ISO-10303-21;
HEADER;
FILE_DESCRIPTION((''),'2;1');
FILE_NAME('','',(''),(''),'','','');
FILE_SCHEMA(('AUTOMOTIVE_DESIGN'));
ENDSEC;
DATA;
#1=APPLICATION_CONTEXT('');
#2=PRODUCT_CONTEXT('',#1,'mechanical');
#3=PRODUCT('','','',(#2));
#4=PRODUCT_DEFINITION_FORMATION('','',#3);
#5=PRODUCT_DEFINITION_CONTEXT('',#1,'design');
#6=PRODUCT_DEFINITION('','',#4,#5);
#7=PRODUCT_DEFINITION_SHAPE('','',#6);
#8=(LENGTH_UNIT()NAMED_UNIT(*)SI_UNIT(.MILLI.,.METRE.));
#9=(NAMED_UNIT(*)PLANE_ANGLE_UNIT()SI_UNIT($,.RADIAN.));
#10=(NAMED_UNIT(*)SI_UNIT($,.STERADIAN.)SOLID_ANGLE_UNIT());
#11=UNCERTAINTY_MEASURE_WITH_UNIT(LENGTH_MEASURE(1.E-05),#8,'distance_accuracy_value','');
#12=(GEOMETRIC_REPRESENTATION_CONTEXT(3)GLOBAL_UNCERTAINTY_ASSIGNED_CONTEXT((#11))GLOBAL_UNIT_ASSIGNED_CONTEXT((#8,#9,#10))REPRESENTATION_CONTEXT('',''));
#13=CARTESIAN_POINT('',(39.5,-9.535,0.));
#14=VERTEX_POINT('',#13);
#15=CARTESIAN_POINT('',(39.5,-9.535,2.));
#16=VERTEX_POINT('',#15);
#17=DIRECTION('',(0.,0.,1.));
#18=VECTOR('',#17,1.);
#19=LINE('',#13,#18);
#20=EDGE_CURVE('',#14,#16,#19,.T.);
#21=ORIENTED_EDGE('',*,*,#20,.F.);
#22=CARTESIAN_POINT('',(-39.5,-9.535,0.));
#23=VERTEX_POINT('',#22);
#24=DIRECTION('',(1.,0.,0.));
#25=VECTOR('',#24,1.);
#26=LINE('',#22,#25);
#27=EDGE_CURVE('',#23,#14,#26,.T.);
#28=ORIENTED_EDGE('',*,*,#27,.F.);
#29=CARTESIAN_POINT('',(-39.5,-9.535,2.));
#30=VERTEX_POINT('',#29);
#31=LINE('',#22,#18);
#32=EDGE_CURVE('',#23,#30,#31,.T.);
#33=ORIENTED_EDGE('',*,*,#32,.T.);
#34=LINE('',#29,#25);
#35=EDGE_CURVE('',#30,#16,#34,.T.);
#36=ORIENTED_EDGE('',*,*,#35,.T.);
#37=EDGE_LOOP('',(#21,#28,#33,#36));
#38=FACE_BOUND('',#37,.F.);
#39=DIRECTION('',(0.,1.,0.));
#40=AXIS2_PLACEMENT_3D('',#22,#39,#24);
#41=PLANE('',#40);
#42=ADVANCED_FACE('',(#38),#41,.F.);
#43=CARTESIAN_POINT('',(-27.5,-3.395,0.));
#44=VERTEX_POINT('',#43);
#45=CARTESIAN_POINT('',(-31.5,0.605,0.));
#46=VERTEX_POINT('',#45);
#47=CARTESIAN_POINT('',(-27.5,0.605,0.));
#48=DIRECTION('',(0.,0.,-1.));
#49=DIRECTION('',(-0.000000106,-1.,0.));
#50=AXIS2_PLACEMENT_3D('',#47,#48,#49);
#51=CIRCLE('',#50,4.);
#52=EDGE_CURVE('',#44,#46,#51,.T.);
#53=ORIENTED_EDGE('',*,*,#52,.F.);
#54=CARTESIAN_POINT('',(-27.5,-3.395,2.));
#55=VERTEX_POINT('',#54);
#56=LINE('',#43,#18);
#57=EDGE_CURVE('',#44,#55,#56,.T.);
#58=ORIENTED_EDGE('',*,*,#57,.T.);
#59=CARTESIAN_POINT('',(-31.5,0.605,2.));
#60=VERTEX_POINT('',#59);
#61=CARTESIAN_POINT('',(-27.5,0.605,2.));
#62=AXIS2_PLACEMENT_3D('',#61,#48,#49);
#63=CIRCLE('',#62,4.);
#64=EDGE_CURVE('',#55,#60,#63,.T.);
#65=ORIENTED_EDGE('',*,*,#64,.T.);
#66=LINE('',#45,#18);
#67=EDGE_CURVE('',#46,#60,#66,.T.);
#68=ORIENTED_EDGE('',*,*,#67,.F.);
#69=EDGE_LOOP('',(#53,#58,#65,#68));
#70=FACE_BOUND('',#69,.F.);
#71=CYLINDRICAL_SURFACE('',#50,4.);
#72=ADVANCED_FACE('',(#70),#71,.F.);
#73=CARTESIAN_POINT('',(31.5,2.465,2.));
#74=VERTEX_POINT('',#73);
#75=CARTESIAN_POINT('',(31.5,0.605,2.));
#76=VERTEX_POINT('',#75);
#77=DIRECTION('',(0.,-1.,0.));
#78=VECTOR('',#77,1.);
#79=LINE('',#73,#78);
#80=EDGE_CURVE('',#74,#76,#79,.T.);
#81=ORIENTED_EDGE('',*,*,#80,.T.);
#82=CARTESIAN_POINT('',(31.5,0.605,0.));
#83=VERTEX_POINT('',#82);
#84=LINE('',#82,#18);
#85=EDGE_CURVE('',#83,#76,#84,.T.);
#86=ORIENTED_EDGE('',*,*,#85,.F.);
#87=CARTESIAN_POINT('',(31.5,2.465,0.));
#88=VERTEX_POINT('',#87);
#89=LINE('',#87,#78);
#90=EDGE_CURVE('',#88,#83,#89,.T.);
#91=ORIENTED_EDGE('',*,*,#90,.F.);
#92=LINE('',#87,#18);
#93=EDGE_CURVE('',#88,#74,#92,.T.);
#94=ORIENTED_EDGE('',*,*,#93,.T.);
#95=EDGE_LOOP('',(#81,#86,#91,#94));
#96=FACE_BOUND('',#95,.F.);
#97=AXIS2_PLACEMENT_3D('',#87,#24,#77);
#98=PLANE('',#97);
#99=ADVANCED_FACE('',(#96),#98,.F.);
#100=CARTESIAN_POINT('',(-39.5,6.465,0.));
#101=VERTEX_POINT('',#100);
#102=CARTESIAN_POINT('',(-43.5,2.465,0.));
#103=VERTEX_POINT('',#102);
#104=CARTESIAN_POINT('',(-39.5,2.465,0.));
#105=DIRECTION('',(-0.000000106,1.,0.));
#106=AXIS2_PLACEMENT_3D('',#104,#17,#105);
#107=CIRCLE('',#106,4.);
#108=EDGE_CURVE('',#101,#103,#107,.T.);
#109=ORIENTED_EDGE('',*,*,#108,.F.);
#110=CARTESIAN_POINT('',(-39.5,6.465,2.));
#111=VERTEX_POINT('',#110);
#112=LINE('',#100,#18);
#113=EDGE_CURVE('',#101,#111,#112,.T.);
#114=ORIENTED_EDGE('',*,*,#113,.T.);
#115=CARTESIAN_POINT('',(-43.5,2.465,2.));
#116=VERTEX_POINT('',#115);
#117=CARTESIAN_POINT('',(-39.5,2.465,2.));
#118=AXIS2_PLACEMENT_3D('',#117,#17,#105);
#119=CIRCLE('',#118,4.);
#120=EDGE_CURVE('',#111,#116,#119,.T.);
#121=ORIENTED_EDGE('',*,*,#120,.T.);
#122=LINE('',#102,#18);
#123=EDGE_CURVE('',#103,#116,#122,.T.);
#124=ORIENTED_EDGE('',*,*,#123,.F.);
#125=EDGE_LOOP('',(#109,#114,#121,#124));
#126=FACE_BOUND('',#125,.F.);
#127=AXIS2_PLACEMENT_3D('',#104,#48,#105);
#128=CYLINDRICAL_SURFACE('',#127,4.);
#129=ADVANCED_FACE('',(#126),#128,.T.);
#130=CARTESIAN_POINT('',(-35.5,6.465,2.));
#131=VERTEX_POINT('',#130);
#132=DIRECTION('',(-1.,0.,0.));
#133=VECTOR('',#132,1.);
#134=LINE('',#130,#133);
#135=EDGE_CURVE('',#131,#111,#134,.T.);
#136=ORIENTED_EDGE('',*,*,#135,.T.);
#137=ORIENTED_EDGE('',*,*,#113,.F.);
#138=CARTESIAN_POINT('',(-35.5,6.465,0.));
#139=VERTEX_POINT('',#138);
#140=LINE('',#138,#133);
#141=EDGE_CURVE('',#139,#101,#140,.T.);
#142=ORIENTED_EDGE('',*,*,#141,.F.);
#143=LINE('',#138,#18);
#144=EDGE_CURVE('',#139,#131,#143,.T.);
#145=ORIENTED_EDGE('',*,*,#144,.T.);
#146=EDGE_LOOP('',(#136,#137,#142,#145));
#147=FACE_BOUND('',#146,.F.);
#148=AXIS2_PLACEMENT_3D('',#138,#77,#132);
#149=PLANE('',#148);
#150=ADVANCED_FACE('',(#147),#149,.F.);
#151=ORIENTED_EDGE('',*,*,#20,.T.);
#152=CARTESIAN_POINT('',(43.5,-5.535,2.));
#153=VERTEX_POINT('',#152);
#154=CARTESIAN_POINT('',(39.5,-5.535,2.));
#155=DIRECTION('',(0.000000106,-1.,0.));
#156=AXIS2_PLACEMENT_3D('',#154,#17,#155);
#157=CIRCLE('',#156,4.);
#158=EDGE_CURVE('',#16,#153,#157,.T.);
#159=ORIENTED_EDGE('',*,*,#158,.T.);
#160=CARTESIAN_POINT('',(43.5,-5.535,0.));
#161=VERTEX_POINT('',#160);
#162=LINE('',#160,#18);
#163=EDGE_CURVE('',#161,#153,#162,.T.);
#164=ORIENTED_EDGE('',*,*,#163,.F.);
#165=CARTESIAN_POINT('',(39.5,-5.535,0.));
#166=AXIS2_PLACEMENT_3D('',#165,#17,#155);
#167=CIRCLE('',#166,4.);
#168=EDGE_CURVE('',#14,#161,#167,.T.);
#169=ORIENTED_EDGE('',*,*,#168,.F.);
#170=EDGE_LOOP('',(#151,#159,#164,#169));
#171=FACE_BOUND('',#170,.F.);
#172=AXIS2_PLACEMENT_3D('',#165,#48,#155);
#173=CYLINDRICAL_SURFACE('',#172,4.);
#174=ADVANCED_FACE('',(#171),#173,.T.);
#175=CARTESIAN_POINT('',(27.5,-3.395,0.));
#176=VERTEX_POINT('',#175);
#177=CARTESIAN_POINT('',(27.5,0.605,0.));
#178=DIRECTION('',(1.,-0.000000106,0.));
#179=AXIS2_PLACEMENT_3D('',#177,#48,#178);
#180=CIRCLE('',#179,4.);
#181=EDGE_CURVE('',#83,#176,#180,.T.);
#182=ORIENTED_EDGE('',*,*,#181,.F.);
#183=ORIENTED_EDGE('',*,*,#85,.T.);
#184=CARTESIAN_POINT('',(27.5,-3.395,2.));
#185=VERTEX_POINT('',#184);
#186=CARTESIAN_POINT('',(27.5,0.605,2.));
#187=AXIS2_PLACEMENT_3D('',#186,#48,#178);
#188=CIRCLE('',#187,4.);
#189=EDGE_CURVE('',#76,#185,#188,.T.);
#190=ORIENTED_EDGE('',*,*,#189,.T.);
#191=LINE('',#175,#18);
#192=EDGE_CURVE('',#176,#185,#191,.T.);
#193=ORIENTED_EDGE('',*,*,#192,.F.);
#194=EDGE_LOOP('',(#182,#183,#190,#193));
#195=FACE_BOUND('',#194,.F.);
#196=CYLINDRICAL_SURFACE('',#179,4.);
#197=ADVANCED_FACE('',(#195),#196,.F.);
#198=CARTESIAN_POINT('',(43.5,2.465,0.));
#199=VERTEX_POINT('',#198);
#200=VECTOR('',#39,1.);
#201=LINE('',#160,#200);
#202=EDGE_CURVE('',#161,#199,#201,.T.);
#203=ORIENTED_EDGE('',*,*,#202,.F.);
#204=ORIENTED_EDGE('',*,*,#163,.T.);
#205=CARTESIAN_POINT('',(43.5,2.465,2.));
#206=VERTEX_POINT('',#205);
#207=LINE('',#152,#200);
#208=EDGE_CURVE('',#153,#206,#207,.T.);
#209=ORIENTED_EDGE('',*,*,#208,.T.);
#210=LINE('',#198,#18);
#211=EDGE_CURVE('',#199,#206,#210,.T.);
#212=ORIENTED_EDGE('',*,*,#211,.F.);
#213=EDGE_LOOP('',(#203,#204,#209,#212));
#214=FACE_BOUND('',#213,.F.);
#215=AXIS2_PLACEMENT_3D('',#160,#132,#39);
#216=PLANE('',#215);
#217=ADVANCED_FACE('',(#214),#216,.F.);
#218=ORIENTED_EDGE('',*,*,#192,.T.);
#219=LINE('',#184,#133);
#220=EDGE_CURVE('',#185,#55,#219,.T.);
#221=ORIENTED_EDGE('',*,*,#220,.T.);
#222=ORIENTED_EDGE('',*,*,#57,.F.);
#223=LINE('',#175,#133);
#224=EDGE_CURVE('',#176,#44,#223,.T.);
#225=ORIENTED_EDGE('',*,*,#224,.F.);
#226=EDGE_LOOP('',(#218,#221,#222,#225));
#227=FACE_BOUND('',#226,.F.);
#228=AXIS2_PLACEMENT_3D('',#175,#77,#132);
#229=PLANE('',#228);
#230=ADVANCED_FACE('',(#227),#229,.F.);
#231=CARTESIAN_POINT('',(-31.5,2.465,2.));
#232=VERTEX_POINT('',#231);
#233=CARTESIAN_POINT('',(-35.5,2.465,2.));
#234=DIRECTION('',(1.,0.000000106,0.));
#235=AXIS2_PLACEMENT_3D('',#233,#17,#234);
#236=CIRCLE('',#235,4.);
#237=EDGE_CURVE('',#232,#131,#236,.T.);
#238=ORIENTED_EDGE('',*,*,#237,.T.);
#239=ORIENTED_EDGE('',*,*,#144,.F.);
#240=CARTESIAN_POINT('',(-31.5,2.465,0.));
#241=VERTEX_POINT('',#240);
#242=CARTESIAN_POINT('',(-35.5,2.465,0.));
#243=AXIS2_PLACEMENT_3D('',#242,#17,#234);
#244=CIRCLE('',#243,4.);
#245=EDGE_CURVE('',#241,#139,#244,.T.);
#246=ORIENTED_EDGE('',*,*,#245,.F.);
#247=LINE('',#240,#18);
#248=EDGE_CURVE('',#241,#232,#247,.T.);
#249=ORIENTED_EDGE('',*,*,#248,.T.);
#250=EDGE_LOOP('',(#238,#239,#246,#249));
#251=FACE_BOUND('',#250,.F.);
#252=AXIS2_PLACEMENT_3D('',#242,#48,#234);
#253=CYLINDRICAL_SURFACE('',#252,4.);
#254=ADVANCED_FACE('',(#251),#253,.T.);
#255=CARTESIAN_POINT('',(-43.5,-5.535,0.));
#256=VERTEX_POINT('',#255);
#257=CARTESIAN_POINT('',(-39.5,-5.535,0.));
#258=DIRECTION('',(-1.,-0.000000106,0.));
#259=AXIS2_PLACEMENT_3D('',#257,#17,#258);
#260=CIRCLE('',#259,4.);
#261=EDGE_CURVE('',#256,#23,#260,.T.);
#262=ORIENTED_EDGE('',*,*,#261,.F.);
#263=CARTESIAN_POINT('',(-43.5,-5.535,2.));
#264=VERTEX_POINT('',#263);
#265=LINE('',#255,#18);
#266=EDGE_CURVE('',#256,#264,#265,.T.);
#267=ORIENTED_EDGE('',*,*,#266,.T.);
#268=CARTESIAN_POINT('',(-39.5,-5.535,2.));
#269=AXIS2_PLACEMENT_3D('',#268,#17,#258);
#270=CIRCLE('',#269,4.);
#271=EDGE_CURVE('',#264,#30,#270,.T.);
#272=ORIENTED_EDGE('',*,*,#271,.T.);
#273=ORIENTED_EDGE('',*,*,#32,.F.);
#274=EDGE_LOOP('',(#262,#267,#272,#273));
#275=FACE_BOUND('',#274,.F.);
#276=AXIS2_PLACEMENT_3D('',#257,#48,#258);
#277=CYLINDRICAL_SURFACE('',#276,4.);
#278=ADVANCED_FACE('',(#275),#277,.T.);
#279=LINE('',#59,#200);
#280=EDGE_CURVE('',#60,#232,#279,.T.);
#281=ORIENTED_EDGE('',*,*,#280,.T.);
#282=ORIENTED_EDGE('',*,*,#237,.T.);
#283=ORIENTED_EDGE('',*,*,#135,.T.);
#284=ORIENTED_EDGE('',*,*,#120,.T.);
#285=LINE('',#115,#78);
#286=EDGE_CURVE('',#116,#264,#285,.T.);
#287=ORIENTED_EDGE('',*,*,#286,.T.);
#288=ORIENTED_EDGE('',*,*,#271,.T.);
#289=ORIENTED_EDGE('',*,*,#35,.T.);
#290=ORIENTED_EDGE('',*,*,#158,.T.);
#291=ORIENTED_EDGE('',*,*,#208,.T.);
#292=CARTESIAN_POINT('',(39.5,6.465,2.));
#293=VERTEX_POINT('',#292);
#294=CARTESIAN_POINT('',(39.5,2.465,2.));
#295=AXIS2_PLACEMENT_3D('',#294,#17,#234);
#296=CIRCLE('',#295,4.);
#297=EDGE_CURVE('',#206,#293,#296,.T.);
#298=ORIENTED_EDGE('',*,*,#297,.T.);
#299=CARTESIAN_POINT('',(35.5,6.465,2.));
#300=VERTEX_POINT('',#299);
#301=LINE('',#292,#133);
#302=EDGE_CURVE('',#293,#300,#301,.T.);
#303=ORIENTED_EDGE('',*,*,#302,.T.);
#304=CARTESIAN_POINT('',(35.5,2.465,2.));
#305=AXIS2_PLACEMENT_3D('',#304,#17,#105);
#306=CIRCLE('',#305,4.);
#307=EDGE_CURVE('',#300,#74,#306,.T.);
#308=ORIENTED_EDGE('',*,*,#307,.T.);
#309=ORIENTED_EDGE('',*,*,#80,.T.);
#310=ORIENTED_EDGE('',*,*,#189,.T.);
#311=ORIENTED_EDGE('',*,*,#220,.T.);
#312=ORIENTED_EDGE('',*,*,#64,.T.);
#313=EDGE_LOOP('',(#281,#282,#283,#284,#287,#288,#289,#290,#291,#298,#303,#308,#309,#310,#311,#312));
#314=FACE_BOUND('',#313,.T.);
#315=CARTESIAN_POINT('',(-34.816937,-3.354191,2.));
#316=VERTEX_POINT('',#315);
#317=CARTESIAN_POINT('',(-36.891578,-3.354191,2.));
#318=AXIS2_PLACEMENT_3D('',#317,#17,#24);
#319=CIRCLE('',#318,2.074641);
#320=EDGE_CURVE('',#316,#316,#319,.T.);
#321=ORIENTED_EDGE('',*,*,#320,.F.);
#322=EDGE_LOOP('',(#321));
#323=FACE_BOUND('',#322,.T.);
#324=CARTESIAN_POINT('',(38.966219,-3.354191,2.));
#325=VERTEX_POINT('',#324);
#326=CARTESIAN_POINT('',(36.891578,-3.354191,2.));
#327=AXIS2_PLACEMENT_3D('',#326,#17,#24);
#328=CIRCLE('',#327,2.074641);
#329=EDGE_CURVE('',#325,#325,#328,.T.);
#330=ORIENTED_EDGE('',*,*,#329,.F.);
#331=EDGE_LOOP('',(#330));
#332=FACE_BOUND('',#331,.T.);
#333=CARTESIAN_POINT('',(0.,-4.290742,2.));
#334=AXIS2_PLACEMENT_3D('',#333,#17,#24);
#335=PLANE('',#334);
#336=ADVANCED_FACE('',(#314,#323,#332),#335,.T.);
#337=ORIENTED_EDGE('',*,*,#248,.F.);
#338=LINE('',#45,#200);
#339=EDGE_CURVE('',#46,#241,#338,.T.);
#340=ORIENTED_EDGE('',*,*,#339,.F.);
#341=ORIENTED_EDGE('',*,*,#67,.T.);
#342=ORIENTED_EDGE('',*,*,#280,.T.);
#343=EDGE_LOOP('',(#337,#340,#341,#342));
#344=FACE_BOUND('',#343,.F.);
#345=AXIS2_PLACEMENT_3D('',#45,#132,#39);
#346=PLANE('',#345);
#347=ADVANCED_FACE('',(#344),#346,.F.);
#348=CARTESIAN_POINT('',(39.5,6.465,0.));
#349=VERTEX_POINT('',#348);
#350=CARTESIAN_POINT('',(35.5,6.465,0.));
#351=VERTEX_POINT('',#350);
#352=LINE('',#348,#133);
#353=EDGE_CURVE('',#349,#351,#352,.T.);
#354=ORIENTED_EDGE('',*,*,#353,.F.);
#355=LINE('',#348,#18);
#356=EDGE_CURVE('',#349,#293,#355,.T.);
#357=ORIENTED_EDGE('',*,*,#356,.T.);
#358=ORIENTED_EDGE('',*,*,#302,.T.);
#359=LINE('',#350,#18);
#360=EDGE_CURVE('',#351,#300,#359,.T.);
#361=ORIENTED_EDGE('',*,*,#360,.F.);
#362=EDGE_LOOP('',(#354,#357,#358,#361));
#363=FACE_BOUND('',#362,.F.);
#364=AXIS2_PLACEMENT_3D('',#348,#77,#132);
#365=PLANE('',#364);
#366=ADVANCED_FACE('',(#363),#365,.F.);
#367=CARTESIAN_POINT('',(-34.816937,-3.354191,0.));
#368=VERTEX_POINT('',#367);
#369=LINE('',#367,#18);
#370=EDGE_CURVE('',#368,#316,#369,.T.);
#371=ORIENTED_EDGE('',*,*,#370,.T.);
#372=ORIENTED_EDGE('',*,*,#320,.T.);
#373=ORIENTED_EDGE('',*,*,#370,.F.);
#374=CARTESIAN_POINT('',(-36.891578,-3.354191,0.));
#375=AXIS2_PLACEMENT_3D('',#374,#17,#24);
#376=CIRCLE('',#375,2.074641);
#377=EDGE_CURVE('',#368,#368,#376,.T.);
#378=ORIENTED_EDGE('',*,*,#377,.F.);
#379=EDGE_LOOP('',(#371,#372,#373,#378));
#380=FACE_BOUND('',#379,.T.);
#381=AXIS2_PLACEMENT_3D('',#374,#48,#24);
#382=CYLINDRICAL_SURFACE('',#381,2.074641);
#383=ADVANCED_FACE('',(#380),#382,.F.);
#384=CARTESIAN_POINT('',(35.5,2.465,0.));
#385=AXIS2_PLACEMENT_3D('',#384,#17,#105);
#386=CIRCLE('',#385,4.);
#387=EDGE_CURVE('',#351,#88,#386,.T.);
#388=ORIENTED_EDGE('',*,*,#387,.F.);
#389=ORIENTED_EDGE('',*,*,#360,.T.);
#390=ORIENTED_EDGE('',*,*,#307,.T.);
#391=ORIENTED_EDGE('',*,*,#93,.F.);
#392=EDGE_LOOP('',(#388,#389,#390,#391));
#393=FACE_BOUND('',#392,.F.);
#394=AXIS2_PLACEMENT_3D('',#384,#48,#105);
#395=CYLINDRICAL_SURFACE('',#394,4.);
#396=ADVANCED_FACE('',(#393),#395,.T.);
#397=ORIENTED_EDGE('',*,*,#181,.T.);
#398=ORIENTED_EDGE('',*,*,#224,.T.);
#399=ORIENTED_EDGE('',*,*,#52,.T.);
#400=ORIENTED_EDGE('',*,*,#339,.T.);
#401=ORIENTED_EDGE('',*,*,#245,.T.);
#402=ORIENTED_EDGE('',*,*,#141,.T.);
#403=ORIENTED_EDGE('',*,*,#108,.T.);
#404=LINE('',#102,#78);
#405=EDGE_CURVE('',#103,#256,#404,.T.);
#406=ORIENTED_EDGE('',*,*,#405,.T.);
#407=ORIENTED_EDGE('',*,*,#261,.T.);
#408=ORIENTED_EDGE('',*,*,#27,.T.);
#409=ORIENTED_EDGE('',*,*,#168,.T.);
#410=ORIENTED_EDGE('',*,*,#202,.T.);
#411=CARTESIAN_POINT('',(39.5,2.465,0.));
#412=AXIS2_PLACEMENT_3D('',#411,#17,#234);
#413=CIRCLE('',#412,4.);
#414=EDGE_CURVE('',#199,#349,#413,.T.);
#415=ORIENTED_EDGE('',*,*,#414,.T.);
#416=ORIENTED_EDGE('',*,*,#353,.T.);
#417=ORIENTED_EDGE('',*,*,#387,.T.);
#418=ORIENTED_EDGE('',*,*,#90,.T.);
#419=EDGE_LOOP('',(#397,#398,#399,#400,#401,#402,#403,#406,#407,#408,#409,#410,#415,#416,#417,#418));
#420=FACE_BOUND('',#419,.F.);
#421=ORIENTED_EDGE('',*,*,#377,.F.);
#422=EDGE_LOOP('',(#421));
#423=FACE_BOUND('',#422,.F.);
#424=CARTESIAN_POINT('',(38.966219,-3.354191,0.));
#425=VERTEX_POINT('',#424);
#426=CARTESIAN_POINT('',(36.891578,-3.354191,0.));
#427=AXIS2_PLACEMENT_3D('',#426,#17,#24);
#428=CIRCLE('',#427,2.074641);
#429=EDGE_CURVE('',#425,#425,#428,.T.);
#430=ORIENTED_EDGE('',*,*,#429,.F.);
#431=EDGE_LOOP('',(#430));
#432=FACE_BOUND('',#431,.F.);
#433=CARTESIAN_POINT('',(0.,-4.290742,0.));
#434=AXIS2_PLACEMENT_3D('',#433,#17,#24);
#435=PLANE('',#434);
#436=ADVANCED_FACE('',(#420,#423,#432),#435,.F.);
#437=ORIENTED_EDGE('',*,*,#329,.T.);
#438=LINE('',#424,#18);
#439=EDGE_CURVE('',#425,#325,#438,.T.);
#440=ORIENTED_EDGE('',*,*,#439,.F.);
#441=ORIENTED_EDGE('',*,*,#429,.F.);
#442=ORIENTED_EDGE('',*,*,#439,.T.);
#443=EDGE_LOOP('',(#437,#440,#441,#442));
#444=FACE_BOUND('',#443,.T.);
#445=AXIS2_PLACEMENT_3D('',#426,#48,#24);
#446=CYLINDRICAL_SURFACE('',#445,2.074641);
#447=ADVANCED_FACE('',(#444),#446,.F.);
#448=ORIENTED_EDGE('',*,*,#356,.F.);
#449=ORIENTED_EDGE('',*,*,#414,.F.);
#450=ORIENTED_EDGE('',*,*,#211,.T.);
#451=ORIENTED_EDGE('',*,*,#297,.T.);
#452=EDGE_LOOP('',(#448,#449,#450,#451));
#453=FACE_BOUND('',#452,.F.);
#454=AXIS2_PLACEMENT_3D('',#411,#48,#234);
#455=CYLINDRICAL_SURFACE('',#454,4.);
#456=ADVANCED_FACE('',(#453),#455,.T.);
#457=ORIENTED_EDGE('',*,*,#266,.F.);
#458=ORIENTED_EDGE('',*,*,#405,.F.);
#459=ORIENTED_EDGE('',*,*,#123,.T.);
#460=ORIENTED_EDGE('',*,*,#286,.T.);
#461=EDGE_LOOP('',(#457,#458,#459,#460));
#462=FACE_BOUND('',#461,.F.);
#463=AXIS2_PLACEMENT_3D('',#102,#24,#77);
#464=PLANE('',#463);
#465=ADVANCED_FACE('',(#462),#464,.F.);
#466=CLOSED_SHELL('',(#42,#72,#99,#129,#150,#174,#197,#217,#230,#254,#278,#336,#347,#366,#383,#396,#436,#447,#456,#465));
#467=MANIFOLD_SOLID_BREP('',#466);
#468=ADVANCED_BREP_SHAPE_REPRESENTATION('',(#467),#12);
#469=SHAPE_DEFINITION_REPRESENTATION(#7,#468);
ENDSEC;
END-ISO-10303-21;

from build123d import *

# Parameters (mm, degrees)
F0_R     = 2.074641
F1_DEPTH = 2


with BuildPart() as f1:
    # F0 (on Top) → F1 (new body)
    with BuildSketch(Plane.XY):
        with BuildLine():
            Line((-39.5, -9.535), (39.5, -9.535))
            ThreePointArc((39.5, -9.535), (42.328427, -8.363427), (43.5, -5.535))
            Line((43.5, -5.535), (43.5, 2.465))
            ThreePointArc((43.5, 2.465), (42.328427, 5.293427), (39.5, 6.465))
            Line((39.5, 6.465), (35.5, 6.465))
            ThreePointArc((35.5, 6.465), (32.671573, 5.293427), (31.5, 2.465))
            Line((31.5, 2.465), (31.5, 0.605))
            ThreePointArc((31.5, 0.605), (30.328427, -2.223427), (27.5, -3.395))
            Line((27.5, -3.395), (-27.5, -3.395))
            ThreePointArc((-27.5, -3.395), (-30.328427, -2.223427), (-31.5, 0.605))
            Line((-31.5, 0.605), (-31.5, 2.465))
            ThreePointArc((-31.5, 2.465), (-32.671573, 5.293427), (-35.5, 6.465))
            Line((-35.5, 6.465), (-39.5, 6.465))
            ThreePointArc((-39.5, 6.465), (-42.328427, 5.293427), (-43.5, 2.465))
            Line((-43.5, 2.465), (-43.5, -5.535))
            ThreePointArc((-43.5, -5.535), (-42.328427, -8.363427), (-39.5, -9.535))
        make_face()
        with Locations((-36.891578, -3.354191)):
            Circle(F0_R, mode=Mode.SUBTRACT)
        with Locations((36.891578, -3.354191)):
            Circle(F0_R, mode=Mode.SUBTRACT)
    extrude(amount=F1_DEPTH)


solid = f1.part
